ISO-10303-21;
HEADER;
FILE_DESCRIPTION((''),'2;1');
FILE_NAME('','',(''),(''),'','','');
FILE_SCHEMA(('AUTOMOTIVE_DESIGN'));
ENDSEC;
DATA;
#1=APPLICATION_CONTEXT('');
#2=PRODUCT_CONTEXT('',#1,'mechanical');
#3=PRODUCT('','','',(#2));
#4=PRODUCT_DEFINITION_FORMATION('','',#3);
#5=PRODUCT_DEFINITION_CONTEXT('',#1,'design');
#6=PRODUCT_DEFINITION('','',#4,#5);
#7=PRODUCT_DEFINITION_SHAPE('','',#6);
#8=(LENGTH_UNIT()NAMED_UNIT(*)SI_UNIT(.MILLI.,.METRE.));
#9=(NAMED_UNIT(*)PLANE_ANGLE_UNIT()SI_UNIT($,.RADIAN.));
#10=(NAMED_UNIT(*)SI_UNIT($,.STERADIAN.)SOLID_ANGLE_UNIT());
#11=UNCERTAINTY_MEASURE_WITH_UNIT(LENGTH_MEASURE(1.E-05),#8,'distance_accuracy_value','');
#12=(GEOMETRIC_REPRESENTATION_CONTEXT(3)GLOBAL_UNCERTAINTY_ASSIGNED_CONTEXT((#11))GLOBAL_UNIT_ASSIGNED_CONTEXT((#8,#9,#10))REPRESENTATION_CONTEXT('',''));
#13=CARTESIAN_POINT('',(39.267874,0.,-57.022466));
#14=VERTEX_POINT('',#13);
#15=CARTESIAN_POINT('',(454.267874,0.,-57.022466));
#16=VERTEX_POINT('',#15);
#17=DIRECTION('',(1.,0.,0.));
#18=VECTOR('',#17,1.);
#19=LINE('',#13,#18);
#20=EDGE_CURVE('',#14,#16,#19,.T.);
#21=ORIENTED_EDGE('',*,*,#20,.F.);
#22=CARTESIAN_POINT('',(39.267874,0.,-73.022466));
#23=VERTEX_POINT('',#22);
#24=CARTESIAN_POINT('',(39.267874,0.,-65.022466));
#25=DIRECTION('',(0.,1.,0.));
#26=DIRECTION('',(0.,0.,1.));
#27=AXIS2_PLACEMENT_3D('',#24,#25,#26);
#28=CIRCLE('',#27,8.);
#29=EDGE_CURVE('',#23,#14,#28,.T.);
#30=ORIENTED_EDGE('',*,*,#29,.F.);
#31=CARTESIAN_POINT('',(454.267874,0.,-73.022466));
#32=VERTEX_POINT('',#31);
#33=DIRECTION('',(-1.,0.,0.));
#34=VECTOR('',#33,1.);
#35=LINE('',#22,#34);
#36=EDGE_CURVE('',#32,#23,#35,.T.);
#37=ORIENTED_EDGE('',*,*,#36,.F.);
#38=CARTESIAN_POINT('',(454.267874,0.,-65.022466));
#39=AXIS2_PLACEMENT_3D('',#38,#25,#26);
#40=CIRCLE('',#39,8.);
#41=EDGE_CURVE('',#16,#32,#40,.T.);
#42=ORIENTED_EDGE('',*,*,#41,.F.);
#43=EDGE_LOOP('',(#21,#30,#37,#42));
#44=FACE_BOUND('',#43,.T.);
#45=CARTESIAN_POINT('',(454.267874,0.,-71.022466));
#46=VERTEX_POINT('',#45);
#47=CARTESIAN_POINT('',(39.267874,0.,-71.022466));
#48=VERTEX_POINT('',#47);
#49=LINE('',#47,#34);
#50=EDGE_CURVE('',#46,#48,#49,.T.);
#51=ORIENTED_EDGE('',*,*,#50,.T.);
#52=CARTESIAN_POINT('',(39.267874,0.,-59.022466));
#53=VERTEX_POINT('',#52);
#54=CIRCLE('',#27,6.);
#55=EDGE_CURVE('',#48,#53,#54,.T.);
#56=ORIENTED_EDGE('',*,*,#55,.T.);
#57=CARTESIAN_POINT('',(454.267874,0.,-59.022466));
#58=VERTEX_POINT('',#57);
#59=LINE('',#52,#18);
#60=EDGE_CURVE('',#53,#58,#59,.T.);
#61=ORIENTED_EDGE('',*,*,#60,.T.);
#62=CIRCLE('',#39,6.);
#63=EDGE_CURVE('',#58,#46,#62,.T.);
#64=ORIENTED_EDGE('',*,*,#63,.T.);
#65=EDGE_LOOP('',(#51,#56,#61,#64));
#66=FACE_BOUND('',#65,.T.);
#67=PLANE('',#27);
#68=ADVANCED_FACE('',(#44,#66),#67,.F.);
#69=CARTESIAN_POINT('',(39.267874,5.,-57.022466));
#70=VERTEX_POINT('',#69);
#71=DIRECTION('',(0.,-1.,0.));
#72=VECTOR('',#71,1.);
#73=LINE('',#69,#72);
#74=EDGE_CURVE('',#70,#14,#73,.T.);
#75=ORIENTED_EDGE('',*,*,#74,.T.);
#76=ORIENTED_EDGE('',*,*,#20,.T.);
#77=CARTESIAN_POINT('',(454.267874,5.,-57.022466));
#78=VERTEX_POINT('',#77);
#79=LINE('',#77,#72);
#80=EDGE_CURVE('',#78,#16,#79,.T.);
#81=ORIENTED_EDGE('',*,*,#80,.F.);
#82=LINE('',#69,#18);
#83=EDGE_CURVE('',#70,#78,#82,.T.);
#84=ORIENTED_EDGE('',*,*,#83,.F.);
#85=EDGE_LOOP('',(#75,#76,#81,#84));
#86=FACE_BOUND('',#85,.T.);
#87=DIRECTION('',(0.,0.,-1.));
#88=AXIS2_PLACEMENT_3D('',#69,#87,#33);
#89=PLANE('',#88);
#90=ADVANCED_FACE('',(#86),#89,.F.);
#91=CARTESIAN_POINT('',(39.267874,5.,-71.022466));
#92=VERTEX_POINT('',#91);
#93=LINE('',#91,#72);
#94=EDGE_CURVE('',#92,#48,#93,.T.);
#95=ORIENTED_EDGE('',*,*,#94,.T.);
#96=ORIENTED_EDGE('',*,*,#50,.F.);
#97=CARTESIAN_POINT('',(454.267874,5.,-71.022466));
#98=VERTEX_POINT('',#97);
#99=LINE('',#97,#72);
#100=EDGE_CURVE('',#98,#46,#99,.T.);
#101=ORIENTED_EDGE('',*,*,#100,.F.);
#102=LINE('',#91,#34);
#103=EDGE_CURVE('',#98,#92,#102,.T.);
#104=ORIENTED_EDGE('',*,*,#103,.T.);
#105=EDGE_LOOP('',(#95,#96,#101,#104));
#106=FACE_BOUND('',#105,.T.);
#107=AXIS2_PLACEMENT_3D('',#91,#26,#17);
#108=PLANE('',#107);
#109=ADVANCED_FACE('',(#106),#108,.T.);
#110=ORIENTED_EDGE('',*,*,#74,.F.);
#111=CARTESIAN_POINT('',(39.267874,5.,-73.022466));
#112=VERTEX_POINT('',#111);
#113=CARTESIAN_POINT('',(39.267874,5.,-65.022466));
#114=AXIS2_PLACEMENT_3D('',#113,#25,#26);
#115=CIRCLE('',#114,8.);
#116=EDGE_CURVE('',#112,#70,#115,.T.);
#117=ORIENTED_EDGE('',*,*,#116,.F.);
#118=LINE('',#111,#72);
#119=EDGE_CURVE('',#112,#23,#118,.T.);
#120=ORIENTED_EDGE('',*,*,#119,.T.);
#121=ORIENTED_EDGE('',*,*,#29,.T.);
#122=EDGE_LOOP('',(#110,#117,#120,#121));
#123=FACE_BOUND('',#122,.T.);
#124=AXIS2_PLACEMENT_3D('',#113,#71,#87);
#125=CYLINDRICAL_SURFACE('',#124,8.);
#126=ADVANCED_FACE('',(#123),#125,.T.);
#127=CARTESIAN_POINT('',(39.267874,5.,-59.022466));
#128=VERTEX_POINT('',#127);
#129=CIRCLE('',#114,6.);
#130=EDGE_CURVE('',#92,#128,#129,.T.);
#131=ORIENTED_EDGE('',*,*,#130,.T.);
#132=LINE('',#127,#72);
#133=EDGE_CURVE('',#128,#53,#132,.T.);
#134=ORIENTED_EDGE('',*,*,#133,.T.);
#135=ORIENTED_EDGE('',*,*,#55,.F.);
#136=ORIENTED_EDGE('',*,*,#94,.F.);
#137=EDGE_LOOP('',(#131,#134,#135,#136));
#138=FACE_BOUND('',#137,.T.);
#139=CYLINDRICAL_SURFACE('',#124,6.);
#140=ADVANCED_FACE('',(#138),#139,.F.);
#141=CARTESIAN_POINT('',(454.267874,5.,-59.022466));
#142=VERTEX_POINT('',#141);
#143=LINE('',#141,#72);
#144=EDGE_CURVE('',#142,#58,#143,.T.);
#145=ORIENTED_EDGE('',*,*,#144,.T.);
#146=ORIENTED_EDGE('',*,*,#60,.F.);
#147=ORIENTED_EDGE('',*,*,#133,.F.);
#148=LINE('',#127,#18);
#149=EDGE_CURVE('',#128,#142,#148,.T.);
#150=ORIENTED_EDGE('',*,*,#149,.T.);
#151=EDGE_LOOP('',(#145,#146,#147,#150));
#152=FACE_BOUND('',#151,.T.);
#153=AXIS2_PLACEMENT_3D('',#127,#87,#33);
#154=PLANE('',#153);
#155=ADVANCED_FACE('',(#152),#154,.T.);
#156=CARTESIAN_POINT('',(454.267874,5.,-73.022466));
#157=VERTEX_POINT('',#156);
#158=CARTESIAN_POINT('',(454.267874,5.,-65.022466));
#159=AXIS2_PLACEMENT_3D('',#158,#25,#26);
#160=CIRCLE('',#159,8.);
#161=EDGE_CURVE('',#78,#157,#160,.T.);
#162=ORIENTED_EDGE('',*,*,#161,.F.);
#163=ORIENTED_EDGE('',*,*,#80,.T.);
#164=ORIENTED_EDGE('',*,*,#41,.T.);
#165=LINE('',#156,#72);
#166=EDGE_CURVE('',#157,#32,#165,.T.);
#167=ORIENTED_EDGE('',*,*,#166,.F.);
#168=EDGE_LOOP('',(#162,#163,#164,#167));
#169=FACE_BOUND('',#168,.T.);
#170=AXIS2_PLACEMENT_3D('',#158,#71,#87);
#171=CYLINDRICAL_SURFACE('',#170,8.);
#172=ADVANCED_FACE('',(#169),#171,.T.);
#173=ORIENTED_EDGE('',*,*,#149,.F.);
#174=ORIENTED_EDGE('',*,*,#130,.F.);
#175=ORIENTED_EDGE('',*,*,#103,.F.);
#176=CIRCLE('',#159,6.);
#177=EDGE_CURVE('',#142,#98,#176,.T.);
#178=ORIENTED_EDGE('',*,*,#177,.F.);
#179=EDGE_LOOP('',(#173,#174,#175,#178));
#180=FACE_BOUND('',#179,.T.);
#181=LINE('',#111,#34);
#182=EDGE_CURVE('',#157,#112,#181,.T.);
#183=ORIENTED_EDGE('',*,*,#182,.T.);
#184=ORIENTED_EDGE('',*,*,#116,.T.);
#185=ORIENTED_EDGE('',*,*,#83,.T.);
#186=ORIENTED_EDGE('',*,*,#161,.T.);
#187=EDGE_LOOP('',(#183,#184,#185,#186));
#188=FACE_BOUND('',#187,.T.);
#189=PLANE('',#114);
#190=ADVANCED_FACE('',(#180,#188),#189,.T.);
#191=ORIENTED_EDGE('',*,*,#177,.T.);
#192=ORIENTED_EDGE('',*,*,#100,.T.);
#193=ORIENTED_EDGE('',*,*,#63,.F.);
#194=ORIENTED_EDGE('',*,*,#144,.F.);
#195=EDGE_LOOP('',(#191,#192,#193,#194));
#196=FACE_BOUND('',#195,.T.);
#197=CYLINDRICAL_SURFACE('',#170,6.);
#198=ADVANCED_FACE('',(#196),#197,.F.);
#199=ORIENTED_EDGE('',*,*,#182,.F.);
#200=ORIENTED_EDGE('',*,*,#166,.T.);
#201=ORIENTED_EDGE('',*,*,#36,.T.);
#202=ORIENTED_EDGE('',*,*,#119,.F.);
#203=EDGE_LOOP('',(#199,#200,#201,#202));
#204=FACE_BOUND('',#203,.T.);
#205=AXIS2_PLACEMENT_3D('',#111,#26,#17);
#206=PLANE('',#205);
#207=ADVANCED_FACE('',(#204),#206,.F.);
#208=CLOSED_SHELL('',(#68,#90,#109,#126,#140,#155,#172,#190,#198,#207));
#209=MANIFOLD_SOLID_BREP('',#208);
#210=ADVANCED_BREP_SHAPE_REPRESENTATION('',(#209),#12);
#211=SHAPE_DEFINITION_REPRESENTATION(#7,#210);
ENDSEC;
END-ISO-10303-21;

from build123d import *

# Parameters (mm, degrees)
BOSS_EXTRUDE1_DEPTH = 5


with BuildPart() as part:
    # Sketch2 → Boss-Extrude1 (new body)
    with BuildSketch(Plane(origin=(0, 0, 0), x_dir=(1, 0, 0), z_dir=(0, 1, 0))):
        with BuildLine():
            Line((39.267874126, 73.022465677), (454.267874126, 73.022465677))
            ThreePointArc((454.267874126, 73.022465677), (462.267874126, 65.022465677), (454.267874126, 57.022465677))
            Line((454.267874126, 57.022465677), (39.267874126, 57.022465677))
            ThreePointArc((39.267874126, 57.022465677), (31.267874126, 65.022465677), (39.267874126, 73.022465677))
        make_face()
        with BuildLine():
            Line((39.267874126, 71.022465677), (454.267874126, 71.022465677))
            ThreePointArc((454.267874126, 71.022465677), (460.267874126, 65.022465677), (454.267874126, 59.022465677))
            Line((454.267874126, 59.022465677), (39.267874126, 59.022465677))
            ThreePointArc((39.267874126, 59.022465677), (33.267874126, 65.022465677), (39.267874126, 71.022465677))
        make_face(mode=Mode.SUBTRACT)
    extrude(amount=BOSS_EXTRUDE1_DEPTH)


solid = part.part
